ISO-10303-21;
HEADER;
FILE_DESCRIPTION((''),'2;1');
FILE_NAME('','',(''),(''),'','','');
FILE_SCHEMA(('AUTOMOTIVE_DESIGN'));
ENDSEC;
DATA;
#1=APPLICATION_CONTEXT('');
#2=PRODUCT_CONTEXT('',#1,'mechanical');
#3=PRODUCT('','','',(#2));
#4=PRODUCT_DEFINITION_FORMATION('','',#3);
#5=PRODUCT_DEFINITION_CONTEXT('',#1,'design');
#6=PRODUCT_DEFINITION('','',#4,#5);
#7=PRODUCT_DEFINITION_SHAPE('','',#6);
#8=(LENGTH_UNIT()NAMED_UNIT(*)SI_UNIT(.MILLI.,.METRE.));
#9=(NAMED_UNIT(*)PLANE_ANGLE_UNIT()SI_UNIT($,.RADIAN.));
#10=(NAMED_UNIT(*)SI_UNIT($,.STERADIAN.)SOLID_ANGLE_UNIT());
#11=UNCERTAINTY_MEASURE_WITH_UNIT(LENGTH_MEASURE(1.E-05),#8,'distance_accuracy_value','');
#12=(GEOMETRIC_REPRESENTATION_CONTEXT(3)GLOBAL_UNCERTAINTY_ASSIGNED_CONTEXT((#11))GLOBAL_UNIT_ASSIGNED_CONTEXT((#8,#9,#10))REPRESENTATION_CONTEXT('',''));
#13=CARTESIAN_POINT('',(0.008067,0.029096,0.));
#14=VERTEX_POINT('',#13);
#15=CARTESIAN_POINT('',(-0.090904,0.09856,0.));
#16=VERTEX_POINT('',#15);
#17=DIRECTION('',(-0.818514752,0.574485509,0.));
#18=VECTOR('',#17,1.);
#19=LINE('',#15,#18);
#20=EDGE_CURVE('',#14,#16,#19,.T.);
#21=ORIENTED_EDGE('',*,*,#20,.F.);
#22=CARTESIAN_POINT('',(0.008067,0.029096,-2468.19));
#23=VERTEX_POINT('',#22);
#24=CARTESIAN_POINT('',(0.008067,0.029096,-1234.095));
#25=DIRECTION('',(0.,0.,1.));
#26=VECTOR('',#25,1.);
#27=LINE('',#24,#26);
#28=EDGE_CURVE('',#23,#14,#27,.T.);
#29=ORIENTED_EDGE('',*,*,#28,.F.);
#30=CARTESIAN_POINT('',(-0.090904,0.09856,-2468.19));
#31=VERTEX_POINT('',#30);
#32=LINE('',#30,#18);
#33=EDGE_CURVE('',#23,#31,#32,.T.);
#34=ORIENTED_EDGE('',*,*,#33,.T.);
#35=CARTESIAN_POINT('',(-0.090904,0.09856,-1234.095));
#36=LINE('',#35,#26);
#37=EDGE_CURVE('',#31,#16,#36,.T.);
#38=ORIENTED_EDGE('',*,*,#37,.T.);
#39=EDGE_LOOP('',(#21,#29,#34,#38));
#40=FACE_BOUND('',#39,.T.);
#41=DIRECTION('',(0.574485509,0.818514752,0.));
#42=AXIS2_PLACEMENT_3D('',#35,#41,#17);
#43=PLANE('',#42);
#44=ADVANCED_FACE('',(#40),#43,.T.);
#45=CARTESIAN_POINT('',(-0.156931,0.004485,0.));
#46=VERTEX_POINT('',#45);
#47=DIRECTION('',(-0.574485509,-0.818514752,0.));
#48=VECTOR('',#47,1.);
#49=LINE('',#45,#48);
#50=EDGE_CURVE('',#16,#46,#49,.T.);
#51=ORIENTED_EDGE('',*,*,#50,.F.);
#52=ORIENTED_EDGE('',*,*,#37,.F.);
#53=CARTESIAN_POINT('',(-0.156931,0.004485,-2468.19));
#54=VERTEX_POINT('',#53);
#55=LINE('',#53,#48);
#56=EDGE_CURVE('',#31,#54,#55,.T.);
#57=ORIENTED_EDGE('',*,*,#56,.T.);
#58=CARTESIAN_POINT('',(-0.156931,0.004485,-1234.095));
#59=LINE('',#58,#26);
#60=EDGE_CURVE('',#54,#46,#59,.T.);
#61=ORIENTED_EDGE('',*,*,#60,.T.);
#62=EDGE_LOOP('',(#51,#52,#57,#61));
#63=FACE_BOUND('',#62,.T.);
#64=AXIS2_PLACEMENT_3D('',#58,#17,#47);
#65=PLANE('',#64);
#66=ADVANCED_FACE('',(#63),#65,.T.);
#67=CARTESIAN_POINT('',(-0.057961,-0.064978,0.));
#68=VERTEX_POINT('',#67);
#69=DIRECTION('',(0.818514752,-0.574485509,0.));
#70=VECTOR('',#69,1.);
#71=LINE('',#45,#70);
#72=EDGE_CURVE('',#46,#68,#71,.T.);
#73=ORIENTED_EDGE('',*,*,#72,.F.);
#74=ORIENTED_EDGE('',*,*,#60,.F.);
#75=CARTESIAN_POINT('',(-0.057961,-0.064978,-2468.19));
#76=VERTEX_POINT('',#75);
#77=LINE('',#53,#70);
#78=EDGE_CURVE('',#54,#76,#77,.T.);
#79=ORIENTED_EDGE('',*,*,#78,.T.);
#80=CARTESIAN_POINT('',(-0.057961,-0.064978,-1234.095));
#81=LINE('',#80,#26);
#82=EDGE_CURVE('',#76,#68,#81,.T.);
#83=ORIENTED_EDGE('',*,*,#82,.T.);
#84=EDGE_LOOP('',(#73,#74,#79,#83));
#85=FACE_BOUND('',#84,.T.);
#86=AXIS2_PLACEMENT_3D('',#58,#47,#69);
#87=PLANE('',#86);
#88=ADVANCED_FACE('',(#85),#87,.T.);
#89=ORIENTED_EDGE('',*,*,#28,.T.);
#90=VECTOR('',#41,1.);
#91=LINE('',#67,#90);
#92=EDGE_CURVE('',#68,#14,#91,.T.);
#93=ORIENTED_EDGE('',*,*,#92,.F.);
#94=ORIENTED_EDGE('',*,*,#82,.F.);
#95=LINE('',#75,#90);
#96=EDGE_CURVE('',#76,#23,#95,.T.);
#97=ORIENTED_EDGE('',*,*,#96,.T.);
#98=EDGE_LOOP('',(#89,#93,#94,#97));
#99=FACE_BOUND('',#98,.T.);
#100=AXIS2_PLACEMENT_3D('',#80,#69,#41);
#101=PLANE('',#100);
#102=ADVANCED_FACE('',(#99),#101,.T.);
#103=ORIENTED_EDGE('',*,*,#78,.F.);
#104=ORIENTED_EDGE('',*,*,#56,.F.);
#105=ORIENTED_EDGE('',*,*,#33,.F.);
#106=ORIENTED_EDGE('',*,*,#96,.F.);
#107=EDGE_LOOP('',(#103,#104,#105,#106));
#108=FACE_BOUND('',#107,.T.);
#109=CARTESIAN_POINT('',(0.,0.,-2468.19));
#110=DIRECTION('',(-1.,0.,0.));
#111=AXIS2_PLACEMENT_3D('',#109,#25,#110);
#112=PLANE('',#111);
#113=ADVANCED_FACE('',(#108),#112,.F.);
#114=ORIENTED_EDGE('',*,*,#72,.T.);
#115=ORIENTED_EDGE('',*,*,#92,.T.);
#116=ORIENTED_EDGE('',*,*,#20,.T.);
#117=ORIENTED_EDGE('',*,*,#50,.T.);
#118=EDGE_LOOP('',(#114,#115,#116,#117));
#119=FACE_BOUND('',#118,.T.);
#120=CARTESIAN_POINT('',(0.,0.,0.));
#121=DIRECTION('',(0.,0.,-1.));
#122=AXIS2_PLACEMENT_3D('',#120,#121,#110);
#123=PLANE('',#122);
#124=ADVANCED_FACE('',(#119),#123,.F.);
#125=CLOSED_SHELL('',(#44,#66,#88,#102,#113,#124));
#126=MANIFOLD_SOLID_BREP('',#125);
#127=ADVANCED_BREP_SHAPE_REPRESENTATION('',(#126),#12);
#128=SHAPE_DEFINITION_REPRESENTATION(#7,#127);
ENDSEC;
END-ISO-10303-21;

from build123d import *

# Parameters (mm, degrees)
BOSS_EXTRUDE1_DEPTH = 1234.095


with BuildPart() as part:
    # Sketch1 → Boss-Extrude1 (new body)
    with BuildSketch(Plane.XY):
        Polygon((-0.156931248, 0.004485316), (-0.057960722, -0.064978469), (0.008067023, 0.029096461), (-0.090903502, 0.098560246), align=None)
    extrude(amount=-BOSS_EXTRUDE1_DEPTH)

    # Mirror2: part across plane


with BuildPart() as part_1:
    add(part.part)
    add(part.part.mirror(Plane(origin=(0, 0, -1234.095), x_dir=(1, 0, 0), z_dir=(0, 0, -1))))


solid = part_1.part
